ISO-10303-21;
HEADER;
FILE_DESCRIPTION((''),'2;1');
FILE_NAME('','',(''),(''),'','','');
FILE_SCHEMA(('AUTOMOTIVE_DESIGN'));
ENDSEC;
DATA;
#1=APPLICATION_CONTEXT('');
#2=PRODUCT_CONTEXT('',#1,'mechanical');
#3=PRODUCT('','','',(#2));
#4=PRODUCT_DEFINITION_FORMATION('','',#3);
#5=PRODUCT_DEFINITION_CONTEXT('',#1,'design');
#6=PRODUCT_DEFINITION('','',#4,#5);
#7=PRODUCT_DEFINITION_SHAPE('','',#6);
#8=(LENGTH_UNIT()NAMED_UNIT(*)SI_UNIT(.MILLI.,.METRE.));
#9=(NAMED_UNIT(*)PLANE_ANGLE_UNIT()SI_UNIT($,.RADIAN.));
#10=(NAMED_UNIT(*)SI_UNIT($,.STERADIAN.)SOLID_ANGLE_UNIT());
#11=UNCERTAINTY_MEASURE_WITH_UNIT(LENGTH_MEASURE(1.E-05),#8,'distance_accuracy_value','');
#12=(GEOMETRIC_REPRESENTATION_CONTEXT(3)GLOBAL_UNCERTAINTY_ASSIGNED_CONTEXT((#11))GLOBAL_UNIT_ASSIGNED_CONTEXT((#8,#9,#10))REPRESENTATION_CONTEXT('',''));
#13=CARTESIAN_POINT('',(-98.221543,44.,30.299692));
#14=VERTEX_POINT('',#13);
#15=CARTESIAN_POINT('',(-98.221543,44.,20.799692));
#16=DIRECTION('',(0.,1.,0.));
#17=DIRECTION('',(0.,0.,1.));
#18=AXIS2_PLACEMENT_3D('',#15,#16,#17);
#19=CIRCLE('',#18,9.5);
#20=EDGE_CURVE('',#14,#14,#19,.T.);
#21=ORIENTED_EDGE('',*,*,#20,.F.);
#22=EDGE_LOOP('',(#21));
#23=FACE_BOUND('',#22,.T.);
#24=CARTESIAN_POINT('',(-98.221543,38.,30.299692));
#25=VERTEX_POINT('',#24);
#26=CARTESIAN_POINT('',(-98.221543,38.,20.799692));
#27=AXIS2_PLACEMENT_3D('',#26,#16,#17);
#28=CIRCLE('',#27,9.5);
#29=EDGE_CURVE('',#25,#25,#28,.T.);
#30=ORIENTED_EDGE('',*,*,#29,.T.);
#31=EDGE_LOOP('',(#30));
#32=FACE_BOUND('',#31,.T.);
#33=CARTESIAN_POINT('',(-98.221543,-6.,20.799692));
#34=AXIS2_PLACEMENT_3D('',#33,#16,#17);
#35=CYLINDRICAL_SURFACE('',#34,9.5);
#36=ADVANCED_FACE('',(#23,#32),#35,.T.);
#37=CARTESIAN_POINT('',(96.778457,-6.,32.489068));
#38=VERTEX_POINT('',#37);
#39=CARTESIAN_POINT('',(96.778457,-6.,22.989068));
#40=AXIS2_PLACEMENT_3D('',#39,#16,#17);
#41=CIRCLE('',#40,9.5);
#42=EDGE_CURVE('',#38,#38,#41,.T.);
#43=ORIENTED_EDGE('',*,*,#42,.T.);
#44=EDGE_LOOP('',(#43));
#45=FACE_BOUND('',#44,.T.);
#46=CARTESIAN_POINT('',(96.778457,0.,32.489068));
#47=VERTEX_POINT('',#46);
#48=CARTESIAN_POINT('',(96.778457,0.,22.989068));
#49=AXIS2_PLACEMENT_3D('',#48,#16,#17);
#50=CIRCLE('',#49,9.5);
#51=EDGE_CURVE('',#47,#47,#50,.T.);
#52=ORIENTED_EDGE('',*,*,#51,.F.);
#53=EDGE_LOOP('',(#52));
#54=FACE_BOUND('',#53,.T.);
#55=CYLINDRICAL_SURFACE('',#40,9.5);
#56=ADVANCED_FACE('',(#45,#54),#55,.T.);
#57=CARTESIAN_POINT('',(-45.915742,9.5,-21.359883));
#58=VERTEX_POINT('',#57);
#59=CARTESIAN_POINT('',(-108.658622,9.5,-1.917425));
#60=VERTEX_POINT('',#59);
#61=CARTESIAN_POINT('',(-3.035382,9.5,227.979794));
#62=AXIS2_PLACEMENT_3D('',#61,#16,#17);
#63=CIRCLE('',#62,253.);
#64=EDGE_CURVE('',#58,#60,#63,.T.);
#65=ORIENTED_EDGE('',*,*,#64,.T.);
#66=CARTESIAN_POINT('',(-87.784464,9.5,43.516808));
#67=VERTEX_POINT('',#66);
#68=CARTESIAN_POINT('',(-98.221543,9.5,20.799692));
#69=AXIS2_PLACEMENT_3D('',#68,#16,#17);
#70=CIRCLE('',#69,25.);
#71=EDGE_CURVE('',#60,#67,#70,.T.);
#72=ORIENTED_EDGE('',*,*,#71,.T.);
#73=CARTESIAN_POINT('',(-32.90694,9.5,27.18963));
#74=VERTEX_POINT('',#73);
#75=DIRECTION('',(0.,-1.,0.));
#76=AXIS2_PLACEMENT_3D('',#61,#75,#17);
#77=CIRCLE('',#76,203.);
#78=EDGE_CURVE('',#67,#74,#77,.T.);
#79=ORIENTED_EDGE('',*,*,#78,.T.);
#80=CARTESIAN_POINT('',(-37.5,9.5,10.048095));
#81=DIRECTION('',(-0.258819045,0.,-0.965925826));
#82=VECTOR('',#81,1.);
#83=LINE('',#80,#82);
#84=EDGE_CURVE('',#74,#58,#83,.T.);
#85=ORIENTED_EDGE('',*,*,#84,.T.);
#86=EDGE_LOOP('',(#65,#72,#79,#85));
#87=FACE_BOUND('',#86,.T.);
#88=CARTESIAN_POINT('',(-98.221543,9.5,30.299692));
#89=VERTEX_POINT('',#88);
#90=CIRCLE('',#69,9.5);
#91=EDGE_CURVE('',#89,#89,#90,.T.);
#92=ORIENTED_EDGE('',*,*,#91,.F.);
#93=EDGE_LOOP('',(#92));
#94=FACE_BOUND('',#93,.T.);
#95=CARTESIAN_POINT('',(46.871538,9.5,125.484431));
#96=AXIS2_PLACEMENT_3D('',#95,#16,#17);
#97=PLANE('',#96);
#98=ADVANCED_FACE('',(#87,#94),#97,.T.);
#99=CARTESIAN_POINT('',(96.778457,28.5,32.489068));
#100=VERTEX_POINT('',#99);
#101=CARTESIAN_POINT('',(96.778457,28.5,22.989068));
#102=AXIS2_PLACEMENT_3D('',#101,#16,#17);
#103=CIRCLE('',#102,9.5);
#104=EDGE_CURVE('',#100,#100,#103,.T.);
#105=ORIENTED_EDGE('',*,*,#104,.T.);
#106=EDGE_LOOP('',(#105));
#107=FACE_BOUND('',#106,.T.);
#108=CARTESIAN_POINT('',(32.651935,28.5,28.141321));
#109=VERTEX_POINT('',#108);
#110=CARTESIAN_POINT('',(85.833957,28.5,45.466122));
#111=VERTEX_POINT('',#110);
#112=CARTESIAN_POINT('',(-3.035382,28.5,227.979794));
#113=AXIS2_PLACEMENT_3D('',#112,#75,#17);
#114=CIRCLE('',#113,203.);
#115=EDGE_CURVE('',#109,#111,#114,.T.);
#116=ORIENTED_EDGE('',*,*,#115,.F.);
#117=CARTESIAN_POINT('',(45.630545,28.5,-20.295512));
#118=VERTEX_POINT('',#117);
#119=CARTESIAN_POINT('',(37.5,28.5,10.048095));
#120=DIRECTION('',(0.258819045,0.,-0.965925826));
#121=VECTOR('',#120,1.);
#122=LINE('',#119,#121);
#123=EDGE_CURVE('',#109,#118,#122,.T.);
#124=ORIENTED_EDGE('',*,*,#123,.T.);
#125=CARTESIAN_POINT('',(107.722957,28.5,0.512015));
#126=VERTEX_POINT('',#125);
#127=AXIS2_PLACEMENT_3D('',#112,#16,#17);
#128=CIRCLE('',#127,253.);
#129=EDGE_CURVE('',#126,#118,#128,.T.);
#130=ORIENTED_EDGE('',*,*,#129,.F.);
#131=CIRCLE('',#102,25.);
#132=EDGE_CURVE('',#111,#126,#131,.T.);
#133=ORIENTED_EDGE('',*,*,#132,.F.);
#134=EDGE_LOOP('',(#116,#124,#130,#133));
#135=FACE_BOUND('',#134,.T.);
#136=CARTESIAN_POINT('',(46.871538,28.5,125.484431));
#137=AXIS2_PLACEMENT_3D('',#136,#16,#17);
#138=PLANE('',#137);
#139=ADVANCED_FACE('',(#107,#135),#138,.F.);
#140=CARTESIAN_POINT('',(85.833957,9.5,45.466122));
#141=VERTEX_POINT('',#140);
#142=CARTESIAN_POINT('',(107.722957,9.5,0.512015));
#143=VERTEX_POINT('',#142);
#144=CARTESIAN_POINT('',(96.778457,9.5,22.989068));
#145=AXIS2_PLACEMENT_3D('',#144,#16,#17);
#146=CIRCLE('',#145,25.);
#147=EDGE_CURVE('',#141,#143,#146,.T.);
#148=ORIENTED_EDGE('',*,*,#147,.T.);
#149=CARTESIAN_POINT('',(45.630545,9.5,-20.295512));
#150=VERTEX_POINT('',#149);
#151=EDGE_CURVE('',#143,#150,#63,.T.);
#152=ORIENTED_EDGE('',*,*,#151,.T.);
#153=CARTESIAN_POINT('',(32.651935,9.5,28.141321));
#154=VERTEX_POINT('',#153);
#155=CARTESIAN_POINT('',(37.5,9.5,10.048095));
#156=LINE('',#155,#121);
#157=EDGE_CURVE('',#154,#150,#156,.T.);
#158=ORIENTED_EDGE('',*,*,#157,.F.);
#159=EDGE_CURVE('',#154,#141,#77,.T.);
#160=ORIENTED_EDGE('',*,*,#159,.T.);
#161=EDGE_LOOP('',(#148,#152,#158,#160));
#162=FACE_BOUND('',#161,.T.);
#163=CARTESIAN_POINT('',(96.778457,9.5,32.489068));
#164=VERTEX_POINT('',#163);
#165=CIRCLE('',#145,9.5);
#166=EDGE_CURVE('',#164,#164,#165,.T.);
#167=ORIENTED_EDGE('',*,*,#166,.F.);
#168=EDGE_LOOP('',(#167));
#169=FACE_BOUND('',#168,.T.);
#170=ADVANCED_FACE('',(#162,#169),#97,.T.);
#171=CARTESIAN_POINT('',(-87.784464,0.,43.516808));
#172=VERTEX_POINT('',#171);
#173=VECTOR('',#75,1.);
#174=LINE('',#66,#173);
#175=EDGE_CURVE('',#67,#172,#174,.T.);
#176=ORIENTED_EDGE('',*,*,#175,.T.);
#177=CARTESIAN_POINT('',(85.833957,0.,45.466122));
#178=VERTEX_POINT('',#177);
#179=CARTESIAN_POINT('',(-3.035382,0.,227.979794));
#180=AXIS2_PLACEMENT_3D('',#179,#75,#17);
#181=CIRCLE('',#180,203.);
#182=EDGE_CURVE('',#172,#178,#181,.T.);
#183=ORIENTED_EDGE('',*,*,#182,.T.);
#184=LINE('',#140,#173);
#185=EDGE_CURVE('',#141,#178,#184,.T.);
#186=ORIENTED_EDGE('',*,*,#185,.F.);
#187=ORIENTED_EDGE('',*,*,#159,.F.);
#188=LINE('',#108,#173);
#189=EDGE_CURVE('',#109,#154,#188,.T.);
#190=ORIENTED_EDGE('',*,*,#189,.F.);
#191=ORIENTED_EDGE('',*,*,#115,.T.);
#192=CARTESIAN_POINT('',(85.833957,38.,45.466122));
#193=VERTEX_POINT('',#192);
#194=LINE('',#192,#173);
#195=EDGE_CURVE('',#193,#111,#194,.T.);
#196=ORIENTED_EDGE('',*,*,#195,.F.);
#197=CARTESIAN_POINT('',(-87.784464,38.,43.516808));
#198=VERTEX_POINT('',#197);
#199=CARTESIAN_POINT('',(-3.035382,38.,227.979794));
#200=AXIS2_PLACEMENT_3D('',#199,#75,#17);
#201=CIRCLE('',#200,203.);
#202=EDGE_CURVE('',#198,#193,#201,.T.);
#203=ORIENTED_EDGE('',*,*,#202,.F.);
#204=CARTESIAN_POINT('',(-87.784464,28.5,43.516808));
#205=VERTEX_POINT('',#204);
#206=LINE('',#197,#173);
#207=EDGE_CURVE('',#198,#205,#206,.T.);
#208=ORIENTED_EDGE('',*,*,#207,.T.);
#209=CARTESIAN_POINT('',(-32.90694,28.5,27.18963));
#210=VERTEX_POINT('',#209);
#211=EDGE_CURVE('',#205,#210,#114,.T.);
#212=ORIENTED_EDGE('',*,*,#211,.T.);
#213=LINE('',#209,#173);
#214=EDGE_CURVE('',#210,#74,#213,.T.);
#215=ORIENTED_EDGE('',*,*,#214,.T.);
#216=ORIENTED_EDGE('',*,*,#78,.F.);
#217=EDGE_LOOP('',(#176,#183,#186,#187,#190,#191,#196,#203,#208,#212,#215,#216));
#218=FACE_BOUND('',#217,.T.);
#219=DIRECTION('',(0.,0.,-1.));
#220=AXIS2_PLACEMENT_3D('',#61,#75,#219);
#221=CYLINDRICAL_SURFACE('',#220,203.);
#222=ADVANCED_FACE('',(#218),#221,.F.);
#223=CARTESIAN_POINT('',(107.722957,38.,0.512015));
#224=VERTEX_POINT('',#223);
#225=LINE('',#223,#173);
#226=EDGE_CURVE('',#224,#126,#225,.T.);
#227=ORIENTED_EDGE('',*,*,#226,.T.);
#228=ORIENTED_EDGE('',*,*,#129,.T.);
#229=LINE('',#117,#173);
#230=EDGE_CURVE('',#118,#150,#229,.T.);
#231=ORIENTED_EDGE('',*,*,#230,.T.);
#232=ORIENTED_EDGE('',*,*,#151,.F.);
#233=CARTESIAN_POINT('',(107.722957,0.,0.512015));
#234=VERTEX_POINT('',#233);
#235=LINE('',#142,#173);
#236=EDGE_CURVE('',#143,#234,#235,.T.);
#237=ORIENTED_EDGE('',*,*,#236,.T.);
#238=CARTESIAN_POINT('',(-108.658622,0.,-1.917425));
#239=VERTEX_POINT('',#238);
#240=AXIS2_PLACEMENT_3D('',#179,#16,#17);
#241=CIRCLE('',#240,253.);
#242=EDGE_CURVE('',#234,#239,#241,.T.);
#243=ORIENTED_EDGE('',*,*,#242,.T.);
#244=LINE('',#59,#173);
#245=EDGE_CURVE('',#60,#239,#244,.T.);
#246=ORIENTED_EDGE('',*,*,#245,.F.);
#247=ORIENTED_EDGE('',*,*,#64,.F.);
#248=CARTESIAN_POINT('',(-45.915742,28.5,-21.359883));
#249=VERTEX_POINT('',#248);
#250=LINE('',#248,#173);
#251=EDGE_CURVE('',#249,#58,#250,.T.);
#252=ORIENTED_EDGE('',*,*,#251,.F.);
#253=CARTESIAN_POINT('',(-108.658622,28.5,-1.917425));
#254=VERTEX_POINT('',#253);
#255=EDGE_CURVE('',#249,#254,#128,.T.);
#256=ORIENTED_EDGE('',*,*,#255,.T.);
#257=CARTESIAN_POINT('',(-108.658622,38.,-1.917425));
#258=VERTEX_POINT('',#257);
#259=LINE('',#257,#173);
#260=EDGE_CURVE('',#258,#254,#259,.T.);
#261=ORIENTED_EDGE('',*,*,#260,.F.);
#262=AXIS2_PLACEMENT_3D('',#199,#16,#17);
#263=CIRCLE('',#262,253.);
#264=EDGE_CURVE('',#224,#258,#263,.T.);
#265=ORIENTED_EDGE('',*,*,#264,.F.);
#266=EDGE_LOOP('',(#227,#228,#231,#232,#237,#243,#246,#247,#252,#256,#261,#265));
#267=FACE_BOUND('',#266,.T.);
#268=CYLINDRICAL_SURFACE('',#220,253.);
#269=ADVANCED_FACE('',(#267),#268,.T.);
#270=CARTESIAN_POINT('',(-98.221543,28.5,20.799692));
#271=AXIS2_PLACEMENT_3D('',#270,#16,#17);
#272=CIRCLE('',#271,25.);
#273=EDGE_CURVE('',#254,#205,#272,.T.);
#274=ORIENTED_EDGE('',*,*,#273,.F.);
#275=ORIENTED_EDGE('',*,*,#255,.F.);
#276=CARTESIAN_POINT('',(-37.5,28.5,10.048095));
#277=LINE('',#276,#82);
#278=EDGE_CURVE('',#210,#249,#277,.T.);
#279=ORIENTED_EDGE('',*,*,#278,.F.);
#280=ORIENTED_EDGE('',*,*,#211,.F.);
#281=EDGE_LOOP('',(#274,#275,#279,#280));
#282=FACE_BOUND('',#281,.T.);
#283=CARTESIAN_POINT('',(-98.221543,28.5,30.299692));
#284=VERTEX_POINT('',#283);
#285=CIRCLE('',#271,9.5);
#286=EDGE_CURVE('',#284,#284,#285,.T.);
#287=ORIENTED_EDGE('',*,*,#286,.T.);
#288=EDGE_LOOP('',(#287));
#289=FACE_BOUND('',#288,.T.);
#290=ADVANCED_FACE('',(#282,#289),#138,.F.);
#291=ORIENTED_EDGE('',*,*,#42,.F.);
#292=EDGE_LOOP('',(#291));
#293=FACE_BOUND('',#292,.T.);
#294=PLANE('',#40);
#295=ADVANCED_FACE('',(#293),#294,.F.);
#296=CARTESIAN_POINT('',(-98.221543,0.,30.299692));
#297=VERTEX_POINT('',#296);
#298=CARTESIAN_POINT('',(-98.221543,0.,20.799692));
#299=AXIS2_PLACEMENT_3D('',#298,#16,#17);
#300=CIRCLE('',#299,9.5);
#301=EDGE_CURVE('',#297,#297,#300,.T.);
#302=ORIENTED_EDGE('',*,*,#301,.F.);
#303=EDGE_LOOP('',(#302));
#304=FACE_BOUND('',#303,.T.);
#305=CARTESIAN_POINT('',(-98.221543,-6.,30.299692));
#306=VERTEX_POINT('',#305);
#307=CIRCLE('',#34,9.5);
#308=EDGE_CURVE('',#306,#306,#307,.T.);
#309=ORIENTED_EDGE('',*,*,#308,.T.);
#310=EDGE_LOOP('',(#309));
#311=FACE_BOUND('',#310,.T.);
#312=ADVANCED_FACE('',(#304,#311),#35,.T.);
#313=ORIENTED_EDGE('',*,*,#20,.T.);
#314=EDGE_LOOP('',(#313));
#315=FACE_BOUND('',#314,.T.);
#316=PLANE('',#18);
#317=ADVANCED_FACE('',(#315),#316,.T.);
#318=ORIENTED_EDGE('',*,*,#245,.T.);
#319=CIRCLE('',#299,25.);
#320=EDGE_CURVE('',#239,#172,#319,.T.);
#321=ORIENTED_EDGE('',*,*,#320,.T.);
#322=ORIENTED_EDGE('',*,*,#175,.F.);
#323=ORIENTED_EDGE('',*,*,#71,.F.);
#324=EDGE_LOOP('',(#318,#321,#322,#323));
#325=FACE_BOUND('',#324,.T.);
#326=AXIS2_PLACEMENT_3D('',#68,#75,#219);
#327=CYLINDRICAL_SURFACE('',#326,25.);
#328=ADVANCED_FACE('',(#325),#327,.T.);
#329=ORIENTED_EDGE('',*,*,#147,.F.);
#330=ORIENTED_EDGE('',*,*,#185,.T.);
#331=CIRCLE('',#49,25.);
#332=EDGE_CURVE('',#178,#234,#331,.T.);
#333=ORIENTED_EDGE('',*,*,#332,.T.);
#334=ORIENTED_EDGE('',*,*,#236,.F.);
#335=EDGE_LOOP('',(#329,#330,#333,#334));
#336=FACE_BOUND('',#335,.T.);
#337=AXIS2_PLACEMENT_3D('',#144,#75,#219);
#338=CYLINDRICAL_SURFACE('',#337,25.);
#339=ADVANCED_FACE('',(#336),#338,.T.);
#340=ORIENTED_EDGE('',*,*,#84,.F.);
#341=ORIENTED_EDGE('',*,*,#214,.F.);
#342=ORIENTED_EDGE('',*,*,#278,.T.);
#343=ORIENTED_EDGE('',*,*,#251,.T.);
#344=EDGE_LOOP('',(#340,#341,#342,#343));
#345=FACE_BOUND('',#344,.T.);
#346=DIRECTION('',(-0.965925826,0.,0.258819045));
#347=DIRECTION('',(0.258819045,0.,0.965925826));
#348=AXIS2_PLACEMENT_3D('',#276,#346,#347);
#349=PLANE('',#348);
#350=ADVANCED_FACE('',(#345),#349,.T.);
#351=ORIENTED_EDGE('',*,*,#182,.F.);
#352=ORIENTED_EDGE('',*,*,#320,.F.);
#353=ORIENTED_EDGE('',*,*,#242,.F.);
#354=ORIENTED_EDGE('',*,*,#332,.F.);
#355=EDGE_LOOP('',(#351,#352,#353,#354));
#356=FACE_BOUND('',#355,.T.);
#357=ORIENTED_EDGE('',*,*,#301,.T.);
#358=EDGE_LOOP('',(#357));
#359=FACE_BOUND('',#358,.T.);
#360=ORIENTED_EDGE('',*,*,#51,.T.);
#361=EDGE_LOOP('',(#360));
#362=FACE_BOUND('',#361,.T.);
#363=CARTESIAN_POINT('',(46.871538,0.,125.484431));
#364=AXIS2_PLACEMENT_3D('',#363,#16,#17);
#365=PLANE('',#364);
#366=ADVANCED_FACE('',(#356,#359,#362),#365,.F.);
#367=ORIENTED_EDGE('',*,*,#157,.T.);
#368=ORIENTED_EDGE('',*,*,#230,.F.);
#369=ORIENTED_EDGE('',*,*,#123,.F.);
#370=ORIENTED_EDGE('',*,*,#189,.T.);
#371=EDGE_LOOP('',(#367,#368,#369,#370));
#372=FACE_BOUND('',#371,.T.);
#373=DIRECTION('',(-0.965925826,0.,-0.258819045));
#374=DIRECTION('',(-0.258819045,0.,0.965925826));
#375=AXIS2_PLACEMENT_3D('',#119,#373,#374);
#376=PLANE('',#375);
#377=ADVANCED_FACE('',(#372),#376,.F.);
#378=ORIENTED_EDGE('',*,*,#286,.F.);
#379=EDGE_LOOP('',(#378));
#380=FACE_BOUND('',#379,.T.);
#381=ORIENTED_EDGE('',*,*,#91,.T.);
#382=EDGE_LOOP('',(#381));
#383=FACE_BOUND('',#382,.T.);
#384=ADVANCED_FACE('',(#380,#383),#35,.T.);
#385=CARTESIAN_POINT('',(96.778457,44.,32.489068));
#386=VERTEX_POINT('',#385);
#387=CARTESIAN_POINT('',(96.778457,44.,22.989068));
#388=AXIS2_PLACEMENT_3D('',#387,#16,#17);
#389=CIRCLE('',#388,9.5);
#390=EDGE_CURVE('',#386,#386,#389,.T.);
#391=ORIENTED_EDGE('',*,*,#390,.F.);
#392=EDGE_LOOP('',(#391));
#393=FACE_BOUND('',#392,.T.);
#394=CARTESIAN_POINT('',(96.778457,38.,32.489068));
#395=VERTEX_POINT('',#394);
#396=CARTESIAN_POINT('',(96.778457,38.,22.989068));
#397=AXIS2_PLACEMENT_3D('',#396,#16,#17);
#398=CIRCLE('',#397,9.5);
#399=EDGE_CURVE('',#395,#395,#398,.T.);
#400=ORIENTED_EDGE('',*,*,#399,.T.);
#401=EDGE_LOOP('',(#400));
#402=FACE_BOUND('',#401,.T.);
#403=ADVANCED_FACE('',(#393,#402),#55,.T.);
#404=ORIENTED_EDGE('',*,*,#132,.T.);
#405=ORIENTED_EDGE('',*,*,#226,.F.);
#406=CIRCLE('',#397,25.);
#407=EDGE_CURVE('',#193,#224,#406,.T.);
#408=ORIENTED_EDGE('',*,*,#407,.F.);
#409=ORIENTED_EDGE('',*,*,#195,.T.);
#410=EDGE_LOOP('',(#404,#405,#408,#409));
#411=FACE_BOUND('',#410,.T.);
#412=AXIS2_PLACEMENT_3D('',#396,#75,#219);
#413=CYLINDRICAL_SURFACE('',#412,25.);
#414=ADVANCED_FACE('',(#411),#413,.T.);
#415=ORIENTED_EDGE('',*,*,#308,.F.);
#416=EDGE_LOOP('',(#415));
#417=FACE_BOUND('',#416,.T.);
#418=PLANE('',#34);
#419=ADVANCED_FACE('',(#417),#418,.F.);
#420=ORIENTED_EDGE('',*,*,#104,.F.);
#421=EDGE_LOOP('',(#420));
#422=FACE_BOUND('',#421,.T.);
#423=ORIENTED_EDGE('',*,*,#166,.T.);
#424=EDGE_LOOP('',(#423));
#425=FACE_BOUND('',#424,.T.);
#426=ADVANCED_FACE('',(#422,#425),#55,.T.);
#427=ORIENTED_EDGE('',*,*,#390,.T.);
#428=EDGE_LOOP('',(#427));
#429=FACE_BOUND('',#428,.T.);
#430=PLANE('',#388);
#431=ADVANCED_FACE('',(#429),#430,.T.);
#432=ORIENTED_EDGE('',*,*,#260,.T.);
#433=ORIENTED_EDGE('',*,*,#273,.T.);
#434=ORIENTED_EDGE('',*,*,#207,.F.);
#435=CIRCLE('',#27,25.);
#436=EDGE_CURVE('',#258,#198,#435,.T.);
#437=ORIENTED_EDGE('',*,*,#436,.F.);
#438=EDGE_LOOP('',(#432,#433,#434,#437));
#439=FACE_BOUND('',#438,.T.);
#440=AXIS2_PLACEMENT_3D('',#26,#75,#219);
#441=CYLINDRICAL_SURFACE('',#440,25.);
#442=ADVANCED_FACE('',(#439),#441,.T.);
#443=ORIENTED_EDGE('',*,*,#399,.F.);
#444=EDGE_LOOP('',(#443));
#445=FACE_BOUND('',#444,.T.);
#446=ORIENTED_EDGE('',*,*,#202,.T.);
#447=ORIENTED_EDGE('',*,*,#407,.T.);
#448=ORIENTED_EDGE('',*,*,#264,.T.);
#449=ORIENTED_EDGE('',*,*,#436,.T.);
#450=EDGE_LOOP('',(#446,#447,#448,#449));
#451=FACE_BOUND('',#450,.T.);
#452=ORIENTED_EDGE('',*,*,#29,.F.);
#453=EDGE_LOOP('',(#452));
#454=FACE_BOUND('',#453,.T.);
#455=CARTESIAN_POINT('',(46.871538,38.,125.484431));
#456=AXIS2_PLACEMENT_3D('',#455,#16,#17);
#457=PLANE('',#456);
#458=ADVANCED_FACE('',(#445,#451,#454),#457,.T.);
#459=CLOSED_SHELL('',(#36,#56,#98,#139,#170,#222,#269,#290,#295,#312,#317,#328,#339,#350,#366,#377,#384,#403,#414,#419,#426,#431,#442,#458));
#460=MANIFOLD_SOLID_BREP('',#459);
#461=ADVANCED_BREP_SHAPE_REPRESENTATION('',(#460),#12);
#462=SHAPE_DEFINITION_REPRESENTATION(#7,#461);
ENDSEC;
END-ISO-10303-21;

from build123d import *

# Parameters (mm, degrees)
BOSS_EXTRUDE1_DEPTH = 9.5
BOSS_EXTRUDE2_DEPTH = 19
BOSS_EXTRUDE3_DEPTH = 9.5
SKETCH4_R           = 9.5
CUT_EXTRUDE1_DEPTH  = 138.588150993
BOSS_EXTRUDE4_START = 6
SKETCH4_2_R         = 9.5
BOSS_EXTRUDE4_DEPTH = 50


with BuildPart() as part:
    # Sketch1 → Boss-Extrude1 (new body)
    with BuildSketch(Plane(origin=(0, 0, 0), x_dir=(1, 0, 0), z_dir=(0, 1, 0))):
        with BuildLine():
            ThreePointArc((107.722957073, -0.512015135), (-0.194984925, 25.004261154), (-108.658621874, 1.917424631))
            ThreePointArc((-108.658621874, 1.917424631), (-120.938659261, -31.236770908), (-87.784463723, -43.516808294))
            ThreePointArc((-87.784463723, -43.516808294), (-0.756328147, -24.992587685), (85.83395733, -45.466121624))
            ThreePointArc((85.83395733, -45.466121624), (119.255510446, -33.933568251), (107.722957073, -0.512015135))
        make_face()
    extrude(amount=BOSS_EXTRUDE1_DEPTH)

    # Sketch2 → Boss-Extrude2 (add)
    with BuildSketch(Plane(origin=(0, 9.5, 0), x_dir=(1, 0, 0), z_dir=(0, 1, 0))):
        with BuildLine():
            ThreePointArc((-32.906939519, -27.189629795), (-0.088825925, -25.001179802), (32.651934744, -28.141320571))
            Line((32.651934744, -28.141320571), (45.630544935, 20.295512075))
            ThreePointArc((45.630544935, 20.295512075), (-0.094052921, 25.003107796), (-45.915742347, 21.359883308))
            Line((-45.915742347, 21.359883308), (-32.906939519, -27.189629795))
        make_face()
    extrude(amount=BOSS_EXTRUDE2_DEPTH)

    # Sketch3 → Boss-Extrude3 (add)
    with BuildSketch(Plane(origin=(0, 28.5, 0), x_dir=(1, 0, 0), z_dir=(0, 1, 0))):
        with BuildLine():
            ThreePointArc((107.722957073, -0.512015135), (-0.194984925, 25.004261154), (-108.658621874, 1.917424631))
            ThreePointArc((-108.658621874, 1.917424631), (-120.938659261, -31.236770908), (-87.784463723, -43.516808294))
            ThreePointArc((-87.784463723, -43.516808294), (-0.756328147, -24.992587685), (85.83395733, -45.466121624))
            ThreePointArc((85.83395733, -45.466121624), (119.255510446, -33.933568251), (107.722957073, -0.512015135))
        make_face()
    extrude(amount=BOSS_EXTRUDE3_DEPTH)

    # Sketch4 → Cut-Extrude1 (cut, through all)
    with BuildSketch(Plane(origin=(0, 38, 0), x_dir=(1, 0, 0), z_dir=(0, 1, 0))):
        with Locations((-98.221542799, -20.799691832)):
            Circle(SKETCH4_R)
        with Locations((96.778457201, -22.989068379)):
            Circle(SKETCH4_R)
    extrude(amount=-CUT_EXTRUDE1_DEPTH, mode=Mode.SUBTRACT)

    # Sketch4<2> → Boss-Extrude4 (add)
    with BuildSketch(Plane(origin=(0, 38, 0), x_dir=(1, 0, 0), z_dir=(0, 1, 0)).offset(BOSS_EXTRUDE4_START)):
        with Locations((-98.221542799, -20.799691832)):
            Circle(SKETCH4_2_R)
        with Locations((96.778457201, -22.989068379)):
            Circle(SKETCH4_2_R)
    extrude(amount=-BOSS_EXTRUDE4_DEPTH)


solid = part.part
